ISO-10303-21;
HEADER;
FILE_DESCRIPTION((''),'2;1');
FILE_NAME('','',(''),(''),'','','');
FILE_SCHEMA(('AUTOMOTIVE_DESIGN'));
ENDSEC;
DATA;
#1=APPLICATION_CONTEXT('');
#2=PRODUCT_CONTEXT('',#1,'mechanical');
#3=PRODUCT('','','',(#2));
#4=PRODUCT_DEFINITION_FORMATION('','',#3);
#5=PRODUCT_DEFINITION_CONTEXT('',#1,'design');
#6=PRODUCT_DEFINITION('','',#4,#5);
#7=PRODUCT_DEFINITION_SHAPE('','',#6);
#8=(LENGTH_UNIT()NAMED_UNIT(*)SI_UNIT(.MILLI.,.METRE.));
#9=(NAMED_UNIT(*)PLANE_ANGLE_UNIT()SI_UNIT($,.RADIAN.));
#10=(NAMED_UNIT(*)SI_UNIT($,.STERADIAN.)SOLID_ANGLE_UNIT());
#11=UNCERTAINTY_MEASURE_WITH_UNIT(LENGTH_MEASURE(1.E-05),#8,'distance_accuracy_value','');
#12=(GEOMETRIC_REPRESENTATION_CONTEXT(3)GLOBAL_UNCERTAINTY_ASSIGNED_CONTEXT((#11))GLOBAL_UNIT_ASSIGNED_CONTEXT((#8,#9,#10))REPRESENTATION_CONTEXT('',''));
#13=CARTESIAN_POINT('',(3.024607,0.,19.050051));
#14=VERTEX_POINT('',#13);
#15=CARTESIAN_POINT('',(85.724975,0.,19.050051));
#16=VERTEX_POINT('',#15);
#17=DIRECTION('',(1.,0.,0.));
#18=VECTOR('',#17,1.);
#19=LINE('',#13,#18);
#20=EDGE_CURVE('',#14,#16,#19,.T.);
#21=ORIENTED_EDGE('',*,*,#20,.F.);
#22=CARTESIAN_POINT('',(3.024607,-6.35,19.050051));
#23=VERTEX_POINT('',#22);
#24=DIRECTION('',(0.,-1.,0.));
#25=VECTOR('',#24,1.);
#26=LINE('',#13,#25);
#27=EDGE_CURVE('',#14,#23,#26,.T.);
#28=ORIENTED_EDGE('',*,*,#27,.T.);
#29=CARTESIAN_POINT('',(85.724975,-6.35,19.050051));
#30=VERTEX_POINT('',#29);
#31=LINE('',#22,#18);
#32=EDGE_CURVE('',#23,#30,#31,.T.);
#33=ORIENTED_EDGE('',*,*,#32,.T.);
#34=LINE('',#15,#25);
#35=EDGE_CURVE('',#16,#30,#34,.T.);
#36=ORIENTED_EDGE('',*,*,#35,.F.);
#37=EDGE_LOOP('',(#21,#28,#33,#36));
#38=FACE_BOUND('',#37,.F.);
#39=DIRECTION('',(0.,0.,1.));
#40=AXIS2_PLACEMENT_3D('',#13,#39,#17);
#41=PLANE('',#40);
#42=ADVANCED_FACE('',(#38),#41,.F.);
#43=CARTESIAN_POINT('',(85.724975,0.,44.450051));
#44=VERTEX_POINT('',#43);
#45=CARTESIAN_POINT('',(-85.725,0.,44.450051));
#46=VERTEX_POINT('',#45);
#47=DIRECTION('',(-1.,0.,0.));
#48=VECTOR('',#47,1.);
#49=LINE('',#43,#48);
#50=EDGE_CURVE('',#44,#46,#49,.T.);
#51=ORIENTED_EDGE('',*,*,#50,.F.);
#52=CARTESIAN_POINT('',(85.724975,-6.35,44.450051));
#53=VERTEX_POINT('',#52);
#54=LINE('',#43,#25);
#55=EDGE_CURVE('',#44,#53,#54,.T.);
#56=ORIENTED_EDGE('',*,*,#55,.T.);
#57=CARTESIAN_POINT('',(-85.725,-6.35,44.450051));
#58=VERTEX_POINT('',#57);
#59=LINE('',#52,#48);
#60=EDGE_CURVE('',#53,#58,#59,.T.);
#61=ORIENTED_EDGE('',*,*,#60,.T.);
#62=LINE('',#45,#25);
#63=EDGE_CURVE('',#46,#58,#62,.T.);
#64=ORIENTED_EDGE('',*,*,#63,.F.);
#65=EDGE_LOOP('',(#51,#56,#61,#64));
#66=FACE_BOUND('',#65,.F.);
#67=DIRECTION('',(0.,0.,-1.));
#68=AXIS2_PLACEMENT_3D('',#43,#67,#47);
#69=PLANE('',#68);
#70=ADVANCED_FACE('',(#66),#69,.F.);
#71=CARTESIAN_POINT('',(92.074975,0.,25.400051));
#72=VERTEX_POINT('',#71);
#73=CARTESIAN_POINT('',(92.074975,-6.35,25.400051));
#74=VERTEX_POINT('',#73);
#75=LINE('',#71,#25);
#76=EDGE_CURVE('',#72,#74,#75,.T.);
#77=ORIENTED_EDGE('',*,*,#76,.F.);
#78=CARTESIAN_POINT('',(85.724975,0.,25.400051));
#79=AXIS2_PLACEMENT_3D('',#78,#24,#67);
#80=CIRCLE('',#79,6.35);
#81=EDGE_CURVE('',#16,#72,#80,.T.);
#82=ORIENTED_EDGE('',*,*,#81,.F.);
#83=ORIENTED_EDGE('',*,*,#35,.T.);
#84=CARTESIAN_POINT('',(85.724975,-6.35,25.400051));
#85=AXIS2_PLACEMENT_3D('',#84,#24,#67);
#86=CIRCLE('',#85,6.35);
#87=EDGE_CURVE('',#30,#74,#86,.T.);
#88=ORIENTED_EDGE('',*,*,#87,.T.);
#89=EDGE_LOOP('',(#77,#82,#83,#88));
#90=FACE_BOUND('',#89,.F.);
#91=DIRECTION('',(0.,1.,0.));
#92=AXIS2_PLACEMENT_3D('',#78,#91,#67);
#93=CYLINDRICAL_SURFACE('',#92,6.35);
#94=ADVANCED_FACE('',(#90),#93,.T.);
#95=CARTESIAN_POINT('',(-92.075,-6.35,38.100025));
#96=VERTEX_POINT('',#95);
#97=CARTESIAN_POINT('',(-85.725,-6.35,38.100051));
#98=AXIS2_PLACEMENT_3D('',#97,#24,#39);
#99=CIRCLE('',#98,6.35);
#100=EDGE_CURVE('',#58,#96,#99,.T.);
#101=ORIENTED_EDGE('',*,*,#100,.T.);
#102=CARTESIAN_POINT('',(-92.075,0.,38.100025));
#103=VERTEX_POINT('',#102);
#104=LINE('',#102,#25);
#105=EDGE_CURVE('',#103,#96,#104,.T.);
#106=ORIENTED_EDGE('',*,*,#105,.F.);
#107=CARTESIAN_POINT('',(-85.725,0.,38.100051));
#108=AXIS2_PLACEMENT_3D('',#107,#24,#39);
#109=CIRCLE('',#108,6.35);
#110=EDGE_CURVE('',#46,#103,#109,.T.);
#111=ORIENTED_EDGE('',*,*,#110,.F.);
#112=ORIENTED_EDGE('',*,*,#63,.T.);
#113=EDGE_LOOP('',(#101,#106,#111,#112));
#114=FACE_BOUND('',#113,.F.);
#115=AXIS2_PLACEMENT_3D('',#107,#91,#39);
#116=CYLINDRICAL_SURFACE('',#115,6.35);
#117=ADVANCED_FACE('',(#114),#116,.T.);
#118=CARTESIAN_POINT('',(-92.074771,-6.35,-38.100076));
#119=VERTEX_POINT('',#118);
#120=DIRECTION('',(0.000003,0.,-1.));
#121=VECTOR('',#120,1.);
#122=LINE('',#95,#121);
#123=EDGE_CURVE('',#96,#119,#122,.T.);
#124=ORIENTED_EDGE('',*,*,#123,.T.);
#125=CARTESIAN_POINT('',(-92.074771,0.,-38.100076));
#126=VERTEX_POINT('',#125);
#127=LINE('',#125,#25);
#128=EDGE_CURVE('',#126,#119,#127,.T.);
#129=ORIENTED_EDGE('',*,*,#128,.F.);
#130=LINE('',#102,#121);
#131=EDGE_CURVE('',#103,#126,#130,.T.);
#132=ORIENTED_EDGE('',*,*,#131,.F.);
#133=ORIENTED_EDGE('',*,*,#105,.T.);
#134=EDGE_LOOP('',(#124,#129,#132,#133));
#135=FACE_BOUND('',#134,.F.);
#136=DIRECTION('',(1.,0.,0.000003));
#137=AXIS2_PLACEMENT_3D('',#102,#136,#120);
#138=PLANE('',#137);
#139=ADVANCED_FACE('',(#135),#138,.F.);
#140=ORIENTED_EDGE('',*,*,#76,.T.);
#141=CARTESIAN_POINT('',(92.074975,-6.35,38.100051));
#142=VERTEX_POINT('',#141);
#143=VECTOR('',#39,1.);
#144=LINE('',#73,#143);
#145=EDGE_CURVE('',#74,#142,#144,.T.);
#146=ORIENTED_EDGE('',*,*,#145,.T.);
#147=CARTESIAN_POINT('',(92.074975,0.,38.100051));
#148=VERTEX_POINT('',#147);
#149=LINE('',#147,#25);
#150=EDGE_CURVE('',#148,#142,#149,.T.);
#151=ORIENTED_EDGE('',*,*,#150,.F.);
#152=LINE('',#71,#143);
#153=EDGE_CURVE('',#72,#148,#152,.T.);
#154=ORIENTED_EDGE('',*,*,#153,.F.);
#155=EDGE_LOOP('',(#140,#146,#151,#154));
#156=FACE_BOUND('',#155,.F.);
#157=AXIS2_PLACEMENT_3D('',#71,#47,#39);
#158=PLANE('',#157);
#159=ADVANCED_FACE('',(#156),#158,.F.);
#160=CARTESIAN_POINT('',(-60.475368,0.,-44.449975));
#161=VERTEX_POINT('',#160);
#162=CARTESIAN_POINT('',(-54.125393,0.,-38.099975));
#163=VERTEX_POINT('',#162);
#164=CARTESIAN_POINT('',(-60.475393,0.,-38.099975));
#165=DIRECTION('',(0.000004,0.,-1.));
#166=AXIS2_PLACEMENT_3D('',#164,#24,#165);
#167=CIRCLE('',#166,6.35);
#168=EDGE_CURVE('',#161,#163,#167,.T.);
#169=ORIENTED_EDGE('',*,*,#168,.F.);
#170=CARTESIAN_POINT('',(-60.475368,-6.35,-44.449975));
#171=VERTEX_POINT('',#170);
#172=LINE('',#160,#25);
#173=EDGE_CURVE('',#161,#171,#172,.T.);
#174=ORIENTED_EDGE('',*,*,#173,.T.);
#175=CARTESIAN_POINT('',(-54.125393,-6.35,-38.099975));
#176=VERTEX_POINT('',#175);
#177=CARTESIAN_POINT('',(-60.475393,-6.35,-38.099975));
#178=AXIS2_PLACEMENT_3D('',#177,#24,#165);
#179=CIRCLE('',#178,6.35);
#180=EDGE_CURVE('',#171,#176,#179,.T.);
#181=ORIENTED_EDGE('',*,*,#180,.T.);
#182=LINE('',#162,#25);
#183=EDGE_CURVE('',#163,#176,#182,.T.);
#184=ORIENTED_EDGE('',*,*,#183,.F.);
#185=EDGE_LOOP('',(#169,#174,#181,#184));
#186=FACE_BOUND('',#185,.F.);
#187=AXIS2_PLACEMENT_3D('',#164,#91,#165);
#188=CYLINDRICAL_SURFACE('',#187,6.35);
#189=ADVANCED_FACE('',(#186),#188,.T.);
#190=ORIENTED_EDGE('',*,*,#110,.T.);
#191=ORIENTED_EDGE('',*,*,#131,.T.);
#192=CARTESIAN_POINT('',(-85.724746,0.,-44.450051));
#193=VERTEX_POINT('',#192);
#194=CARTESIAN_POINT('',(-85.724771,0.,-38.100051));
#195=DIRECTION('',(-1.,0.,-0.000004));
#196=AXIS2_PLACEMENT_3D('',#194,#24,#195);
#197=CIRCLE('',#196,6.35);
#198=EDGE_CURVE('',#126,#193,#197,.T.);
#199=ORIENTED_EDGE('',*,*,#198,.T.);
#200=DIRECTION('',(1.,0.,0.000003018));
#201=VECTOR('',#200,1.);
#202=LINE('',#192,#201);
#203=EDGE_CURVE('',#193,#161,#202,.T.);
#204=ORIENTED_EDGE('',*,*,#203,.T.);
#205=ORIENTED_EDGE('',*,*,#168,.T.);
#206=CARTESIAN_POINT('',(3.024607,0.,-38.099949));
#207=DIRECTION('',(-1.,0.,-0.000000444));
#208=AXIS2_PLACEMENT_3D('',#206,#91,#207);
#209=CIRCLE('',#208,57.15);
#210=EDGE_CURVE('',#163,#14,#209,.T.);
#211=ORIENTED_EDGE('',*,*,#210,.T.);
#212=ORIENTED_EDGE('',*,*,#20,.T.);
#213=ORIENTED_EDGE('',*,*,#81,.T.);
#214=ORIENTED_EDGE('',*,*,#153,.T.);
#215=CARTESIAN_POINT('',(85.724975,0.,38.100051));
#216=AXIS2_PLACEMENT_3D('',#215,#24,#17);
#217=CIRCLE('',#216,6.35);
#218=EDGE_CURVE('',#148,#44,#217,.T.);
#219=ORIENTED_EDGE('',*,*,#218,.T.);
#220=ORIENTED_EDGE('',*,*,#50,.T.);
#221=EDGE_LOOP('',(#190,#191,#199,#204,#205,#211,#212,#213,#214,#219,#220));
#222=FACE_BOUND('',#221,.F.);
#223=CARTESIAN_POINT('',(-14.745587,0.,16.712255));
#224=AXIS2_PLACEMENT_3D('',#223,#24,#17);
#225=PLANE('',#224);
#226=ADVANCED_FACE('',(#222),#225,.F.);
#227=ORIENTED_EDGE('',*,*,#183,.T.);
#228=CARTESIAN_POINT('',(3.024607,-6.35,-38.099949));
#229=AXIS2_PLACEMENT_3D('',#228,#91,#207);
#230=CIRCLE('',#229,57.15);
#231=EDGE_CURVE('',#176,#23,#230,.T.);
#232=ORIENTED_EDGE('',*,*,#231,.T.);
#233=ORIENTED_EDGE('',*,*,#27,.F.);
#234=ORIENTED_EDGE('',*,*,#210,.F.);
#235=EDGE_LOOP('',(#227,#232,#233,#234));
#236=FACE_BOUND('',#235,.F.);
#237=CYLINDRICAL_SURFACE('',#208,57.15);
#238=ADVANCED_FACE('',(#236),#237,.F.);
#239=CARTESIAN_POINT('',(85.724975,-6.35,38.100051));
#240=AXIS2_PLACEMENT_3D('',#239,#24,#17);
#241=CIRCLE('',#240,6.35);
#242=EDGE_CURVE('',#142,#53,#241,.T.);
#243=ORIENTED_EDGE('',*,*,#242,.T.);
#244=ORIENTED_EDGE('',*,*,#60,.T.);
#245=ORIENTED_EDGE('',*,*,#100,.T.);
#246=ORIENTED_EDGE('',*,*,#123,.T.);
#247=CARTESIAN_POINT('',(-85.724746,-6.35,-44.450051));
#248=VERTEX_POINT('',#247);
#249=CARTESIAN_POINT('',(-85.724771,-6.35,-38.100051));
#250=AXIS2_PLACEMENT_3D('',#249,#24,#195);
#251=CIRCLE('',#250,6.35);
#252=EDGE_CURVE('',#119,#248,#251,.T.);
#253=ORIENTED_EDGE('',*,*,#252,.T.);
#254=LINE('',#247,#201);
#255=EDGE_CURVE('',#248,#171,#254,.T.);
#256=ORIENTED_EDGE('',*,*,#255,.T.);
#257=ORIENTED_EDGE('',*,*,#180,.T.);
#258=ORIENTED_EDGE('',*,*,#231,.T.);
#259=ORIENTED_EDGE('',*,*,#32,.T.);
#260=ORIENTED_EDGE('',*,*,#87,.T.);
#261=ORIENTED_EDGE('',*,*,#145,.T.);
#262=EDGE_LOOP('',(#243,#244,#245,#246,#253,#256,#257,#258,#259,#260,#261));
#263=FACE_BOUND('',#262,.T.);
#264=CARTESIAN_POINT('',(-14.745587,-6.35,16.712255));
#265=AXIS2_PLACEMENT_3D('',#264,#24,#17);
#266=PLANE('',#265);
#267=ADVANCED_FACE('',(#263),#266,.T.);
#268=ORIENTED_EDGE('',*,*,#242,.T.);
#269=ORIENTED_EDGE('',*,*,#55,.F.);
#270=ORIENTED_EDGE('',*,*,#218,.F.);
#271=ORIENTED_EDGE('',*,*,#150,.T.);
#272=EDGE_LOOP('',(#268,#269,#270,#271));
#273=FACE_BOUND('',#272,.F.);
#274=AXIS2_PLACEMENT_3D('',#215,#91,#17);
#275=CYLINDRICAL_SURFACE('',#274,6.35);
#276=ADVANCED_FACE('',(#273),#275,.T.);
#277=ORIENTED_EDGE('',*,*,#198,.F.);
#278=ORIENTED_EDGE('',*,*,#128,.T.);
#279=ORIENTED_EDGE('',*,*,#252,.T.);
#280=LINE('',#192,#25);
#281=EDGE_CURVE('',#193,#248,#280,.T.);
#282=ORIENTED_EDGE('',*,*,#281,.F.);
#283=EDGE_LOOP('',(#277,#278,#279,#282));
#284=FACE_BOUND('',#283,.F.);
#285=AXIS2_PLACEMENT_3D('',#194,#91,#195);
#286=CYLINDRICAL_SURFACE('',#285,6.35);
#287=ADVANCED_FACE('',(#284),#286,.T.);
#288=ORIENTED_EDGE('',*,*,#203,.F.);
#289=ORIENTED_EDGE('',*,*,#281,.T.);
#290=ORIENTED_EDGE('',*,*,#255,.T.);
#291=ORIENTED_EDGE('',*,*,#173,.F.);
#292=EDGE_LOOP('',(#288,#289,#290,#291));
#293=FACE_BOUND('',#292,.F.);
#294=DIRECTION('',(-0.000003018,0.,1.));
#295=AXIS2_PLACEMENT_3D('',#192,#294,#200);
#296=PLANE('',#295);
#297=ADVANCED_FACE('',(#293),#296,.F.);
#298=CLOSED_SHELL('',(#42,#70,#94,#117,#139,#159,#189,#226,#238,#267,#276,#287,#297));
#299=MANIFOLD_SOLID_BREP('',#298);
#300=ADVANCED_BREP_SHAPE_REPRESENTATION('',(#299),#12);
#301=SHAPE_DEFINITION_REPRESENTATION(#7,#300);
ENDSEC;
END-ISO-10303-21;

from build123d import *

# Parameters (mm, degrees)
F1_DEPTH = 6.35


with BuildPart() as f1:
    # F0 (on Front) → F1 (new body)
    with BuildSketch(Plane.XZ):
        with BuildLine():
            Line((92.0749746, 25.4000508), (92.0749746, 38.1000508))
            ThreePointArc((92.0749746, 38.1000508), (90.2151026605, 42.5901788605), (85.7249746, 44.4500508))
            Line((85.7249746, 44.4500508), (-85.725, 44.4500508))
            ThreePointArc((-85.725, 44.4500508), (-90.2151370408, 42.5901698803), (-92.075, 38.1000254))
            Line((-92.075, 38.1000254), (-92.0747714, -38.1000762))
            ThreePointArc((-92.0747713999, -38.1000762), (-90.2148815, -42.590196821), (-85.724746, -44.4500507999))
            Line((-85.724746, -44.4500508), (-60.475368, -44.4499746))
            ThreePointArc((-60.475368, -44.4499745999), (-55.9852563592, -42.5900936803), (-54.1253934, -38.0999746))
            ThreePointArc((-54.1253934, -38.0999746), (-37.3865549251, 2.3111943646), (3.0246066, 19.0500508))
            Line((3.0246066, 19.0500508), (85.7249746, 19.0500508))
            ThreePointArc((85.7249746, 19.0500508), (90.2151026605, 20.9099227395), (92.0749746, 25.4000508))
        make_face()
    extrude(amount=F1_DEPTH)


solid = f1.part
